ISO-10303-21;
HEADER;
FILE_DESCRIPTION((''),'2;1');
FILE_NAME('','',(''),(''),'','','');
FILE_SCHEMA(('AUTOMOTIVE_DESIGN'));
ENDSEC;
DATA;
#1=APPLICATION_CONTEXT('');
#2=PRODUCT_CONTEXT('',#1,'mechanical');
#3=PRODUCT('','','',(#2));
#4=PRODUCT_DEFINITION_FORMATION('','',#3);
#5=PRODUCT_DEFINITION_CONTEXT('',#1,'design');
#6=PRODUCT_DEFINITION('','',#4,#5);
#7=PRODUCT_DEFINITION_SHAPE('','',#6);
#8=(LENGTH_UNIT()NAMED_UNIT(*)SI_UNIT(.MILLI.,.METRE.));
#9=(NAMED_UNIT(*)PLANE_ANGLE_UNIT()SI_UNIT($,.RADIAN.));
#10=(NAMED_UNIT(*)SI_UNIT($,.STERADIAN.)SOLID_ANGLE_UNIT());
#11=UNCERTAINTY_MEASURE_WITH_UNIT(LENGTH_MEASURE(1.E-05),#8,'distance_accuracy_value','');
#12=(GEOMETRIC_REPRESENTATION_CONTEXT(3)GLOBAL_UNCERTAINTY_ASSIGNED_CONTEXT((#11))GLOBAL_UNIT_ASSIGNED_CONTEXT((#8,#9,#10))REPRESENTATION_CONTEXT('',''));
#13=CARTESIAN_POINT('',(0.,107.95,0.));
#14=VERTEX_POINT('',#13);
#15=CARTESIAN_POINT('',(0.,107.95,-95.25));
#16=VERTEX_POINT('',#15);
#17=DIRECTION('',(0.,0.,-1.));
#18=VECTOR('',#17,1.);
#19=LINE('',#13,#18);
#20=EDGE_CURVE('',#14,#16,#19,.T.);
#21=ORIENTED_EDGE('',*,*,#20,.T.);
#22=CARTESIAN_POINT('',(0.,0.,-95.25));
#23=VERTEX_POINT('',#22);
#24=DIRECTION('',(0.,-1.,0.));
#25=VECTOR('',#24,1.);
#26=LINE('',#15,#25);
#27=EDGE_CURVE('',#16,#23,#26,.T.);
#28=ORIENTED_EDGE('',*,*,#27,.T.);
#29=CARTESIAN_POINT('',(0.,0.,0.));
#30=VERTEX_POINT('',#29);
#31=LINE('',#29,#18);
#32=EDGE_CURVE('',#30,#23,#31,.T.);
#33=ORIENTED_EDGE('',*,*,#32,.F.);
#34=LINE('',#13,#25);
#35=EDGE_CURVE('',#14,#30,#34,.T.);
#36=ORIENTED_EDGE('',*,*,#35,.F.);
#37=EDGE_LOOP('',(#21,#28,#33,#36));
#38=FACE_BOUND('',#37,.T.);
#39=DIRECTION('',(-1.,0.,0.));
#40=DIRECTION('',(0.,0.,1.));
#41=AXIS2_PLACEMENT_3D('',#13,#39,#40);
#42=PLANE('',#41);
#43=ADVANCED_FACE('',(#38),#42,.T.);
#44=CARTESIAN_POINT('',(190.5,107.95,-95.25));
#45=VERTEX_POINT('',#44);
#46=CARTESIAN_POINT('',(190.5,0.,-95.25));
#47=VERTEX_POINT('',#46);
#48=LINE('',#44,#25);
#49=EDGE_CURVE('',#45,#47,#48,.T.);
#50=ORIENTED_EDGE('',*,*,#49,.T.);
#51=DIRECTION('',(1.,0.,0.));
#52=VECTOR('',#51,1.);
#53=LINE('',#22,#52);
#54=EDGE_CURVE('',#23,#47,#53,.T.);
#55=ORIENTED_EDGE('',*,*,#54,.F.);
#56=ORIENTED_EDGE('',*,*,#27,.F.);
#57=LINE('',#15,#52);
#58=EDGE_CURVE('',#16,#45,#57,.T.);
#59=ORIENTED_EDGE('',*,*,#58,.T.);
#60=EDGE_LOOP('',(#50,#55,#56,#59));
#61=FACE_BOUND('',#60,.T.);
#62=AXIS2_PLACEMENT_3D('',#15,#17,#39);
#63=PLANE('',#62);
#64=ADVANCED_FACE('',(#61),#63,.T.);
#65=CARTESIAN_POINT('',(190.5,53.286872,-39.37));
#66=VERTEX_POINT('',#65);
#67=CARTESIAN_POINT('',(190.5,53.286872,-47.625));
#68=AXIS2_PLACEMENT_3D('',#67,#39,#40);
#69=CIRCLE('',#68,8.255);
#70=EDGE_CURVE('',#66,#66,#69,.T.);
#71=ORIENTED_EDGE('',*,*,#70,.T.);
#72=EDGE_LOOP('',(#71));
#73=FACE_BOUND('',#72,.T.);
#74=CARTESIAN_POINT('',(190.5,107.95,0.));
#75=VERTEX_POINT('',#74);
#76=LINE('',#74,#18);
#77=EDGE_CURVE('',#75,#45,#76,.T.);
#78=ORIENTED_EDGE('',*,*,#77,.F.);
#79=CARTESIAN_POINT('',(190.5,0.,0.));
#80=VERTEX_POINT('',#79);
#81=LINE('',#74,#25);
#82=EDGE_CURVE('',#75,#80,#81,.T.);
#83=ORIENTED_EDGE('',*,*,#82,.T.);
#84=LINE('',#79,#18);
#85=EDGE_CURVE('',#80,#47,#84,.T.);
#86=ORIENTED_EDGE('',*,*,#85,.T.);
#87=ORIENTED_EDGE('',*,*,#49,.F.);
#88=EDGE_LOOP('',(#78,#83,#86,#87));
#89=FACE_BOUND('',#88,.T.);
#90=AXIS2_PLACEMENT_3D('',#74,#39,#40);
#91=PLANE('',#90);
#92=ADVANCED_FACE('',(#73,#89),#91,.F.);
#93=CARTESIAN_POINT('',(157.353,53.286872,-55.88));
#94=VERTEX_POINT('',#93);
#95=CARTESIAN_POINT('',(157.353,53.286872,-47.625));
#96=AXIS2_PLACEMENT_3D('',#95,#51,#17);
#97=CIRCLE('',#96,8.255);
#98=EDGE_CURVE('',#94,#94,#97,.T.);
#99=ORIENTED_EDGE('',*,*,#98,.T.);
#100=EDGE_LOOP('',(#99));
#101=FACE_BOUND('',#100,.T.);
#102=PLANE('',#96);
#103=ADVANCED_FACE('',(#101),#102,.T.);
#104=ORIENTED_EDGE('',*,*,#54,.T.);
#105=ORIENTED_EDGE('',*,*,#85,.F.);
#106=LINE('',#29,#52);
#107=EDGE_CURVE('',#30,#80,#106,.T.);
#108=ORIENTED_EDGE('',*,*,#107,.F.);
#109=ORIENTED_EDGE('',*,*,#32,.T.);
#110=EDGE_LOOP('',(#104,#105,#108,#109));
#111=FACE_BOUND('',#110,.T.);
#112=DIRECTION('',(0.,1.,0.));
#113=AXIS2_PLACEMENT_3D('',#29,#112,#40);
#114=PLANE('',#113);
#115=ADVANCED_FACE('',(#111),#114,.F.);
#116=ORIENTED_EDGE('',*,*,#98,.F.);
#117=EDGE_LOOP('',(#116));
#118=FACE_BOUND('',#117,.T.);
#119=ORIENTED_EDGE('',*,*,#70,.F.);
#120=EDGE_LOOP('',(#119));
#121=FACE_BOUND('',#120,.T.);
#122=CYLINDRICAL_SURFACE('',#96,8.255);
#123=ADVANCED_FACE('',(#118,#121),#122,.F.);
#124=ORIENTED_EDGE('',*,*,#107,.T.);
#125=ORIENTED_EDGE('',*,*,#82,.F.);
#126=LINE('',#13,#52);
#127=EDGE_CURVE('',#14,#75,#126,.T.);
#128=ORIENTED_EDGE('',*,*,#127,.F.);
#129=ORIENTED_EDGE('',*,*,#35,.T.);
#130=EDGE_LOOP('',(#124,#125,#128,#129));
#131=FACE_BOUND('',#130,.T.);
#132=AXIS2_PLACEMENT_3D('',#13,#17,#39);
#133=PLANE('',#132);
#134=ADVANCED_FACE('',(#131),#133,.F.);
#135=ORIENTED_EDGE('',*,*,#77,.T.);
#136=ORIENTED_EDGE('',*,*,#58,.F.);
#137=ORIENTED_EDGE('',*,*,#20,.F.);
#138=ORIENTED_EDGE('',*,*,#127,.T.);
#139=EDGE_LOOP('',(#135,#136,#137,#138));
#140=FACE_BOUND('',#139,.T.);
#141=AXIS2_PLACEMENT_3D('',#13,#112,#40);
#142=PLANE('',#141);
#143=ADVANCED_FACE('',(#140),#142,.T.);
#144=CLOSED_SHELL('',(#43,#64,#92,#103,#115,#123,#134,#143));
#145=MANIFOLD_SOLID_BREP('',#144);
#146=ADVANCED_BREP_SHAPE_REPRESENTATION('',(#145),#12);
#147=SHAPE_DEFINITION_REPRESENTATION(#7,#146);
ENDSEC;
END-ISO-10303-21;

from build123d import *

# Parameters (mm, degrees)
SKETCH1_W           = 190.5
SKETCH1_H           = 95.25
BOSS_EXTRUDE1_DEPTH = 107.95
SKETCH2_R           = 8.255
CUT_EXTRUDE1_DEPTH  = 33.147


with BuildPart() as part:
    # Sketch1 → Boss-Extrude1 (new body)
    with BuildSketch(Plane(origin=(0, 0, 0), x_dir=(1, 0, 0), z_dir=(0, 1, 0))):
        with Locations((95.25, 47.625)):
            Rectangle(SKETCH1_W, SKETCH1_H)
    extrude(amount=BOSS_EXTRUDE1_DEPTH)

    # Sketch2 → Cut-Extrude1 (cut, symmetric)
    with BuildSketch(Plane(origin=(190.5, 0, 0), x_dir=(0, 0, -1), z_dir=(1, 0, 0))):
        with Locations((47.625, 53.286871915)):
            Circle(SKETCH2_R)
    extrude(amount=CUT_EXTRUDE1_DEPTH, both=True, mode=Mode.SUBTRACT)


solid = part.part
